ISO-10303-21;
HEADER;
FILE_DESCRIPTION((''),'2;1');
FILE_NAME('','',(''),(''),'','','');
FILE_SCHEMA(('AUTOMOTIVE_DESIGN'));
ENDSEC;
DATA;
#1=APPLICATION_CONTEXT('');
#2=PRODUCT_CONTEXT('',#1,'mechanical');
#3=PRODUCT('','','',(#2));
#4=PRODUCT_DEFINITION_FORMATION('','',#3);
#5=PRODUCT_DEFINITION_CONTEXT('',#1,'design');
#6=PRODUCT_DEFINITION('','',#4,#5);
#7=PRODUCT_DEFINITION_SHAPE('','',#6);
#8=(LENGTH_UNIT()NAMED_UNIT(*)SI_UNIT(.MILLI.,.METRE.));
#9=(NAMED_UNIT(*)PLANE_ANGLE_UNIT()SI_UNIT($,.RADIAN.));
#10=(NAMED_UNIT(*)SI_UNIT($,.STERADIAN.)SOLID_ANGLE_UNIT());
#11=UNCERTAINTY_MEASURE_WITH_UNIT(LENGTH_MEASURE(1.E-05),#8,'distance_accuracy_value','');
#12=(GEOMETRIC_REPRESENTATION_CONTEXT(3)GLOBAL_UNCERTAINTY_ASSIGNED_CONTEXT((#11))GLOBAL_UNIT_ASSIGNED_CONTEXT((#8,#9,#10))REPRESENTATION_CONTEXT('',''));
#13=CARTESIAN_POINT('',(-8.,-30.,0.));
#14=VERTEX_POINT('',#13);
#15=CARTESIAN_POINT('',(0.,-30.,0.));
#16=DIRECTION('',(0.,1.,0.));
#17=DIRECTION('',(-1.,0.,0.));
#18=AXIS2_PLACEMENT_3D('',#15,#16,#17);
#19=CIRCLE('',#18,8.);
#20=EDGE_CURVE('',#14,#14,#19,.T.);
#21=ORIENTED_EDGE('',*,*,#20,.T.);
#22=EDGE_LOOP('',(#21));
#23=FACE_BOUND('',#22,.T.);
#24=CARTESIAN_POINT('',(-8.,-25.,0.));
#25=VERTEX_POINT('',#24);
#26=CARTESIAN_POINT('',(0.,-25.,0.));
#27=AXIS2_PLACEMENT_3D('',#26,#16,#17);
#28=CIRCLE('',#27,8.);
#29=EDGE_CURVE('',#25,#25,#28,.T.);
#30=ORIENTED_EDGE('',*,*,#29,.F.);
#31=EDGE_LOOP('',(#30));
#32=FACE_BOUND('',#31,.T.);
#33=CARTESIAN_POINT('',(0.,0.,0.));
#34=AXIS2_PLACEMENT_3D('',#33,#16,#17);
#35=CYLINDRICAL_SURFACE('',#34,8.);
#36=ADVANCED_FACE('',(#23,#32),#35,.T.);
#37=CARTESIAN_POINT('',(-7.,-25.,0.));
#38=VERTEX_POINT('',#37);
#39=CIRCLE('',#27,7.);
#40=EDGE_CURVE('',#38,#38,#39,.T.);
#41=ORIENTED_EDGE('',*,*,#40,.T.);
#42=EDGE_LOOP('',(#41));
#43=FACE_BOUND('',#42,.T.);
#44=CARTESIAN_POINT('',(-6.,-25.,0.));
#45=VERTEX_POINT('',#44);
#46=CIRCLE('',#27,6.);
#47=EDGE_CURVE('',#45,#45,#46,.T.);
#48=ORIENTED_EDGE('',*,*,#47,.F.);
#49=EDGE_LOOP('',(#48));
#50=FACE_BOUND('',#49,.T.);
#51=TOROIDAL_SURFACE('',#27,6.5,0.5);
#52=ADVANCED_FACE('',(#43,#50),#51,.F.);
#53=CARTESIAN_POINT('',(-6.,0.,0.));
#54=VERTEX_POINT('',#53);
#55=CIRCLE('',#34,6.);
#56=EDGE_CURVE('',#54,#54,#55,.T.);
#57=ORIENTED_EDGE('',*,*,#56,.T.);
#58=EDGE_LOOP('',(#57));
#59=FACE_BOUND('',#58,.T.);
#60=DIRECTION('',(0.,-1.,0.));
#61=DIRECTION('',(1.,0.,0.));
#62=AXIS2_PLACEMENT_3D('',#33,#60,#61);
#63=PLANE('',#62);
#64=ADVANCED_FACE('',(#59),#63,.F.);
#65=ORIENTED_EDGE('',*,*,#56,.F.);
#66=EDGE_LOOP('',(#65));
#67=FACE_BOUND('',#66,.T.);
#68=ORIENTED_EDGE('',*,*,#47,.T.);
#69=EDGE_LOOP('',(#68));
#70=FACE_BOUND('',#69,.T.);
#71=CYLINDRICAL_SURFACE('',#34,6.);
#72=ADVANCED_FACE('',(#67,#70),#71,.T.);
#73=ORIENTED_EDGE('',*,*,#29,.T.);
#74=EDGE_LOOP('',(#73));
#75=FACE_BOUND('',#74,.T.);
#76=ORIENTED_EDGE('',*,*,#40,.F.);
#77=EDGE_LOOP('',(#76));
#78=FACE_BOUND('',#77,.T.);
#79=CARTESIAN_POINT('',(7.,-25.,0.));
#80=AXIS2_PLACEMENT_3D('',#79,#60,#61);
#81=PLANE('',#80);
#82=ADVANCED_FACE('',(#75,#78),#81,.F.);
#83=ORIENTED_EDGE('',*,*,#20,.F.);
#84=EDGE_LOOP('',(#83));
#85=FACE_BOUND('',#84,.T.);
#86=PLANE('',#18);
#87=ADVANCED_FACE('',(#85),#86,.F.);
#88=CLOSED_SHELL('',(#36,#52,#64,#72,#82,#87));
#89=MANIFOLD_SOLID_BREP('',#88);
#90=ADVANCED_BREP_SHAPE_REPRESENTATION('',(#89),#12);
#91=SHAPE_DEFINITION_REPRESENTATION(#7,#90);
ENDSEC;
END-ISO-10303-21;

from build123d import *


with BuildPart() as part:
    # Sketch1 → Revolve1 (revolve)
    with BuildSketch(Plane.XY):
        with BuildLine():
            Line((0, 0), (6, 0))
            Line((6, 0), (6, -25))
            ThreePointArc((6, -25), (6.5, -25.5), (7, -25))
            Line((7, -25), (8, -25))
            Line((8, -25), (8, -30))
            Line((8, -30), (0, -30))
            Line((0, -30), (0, -25))
            Line((0, -25), (0, 0))
        make_face()
    revolve(axis=Axis((0, 0, 0), (0, -1, 0)))


solid = part.part
